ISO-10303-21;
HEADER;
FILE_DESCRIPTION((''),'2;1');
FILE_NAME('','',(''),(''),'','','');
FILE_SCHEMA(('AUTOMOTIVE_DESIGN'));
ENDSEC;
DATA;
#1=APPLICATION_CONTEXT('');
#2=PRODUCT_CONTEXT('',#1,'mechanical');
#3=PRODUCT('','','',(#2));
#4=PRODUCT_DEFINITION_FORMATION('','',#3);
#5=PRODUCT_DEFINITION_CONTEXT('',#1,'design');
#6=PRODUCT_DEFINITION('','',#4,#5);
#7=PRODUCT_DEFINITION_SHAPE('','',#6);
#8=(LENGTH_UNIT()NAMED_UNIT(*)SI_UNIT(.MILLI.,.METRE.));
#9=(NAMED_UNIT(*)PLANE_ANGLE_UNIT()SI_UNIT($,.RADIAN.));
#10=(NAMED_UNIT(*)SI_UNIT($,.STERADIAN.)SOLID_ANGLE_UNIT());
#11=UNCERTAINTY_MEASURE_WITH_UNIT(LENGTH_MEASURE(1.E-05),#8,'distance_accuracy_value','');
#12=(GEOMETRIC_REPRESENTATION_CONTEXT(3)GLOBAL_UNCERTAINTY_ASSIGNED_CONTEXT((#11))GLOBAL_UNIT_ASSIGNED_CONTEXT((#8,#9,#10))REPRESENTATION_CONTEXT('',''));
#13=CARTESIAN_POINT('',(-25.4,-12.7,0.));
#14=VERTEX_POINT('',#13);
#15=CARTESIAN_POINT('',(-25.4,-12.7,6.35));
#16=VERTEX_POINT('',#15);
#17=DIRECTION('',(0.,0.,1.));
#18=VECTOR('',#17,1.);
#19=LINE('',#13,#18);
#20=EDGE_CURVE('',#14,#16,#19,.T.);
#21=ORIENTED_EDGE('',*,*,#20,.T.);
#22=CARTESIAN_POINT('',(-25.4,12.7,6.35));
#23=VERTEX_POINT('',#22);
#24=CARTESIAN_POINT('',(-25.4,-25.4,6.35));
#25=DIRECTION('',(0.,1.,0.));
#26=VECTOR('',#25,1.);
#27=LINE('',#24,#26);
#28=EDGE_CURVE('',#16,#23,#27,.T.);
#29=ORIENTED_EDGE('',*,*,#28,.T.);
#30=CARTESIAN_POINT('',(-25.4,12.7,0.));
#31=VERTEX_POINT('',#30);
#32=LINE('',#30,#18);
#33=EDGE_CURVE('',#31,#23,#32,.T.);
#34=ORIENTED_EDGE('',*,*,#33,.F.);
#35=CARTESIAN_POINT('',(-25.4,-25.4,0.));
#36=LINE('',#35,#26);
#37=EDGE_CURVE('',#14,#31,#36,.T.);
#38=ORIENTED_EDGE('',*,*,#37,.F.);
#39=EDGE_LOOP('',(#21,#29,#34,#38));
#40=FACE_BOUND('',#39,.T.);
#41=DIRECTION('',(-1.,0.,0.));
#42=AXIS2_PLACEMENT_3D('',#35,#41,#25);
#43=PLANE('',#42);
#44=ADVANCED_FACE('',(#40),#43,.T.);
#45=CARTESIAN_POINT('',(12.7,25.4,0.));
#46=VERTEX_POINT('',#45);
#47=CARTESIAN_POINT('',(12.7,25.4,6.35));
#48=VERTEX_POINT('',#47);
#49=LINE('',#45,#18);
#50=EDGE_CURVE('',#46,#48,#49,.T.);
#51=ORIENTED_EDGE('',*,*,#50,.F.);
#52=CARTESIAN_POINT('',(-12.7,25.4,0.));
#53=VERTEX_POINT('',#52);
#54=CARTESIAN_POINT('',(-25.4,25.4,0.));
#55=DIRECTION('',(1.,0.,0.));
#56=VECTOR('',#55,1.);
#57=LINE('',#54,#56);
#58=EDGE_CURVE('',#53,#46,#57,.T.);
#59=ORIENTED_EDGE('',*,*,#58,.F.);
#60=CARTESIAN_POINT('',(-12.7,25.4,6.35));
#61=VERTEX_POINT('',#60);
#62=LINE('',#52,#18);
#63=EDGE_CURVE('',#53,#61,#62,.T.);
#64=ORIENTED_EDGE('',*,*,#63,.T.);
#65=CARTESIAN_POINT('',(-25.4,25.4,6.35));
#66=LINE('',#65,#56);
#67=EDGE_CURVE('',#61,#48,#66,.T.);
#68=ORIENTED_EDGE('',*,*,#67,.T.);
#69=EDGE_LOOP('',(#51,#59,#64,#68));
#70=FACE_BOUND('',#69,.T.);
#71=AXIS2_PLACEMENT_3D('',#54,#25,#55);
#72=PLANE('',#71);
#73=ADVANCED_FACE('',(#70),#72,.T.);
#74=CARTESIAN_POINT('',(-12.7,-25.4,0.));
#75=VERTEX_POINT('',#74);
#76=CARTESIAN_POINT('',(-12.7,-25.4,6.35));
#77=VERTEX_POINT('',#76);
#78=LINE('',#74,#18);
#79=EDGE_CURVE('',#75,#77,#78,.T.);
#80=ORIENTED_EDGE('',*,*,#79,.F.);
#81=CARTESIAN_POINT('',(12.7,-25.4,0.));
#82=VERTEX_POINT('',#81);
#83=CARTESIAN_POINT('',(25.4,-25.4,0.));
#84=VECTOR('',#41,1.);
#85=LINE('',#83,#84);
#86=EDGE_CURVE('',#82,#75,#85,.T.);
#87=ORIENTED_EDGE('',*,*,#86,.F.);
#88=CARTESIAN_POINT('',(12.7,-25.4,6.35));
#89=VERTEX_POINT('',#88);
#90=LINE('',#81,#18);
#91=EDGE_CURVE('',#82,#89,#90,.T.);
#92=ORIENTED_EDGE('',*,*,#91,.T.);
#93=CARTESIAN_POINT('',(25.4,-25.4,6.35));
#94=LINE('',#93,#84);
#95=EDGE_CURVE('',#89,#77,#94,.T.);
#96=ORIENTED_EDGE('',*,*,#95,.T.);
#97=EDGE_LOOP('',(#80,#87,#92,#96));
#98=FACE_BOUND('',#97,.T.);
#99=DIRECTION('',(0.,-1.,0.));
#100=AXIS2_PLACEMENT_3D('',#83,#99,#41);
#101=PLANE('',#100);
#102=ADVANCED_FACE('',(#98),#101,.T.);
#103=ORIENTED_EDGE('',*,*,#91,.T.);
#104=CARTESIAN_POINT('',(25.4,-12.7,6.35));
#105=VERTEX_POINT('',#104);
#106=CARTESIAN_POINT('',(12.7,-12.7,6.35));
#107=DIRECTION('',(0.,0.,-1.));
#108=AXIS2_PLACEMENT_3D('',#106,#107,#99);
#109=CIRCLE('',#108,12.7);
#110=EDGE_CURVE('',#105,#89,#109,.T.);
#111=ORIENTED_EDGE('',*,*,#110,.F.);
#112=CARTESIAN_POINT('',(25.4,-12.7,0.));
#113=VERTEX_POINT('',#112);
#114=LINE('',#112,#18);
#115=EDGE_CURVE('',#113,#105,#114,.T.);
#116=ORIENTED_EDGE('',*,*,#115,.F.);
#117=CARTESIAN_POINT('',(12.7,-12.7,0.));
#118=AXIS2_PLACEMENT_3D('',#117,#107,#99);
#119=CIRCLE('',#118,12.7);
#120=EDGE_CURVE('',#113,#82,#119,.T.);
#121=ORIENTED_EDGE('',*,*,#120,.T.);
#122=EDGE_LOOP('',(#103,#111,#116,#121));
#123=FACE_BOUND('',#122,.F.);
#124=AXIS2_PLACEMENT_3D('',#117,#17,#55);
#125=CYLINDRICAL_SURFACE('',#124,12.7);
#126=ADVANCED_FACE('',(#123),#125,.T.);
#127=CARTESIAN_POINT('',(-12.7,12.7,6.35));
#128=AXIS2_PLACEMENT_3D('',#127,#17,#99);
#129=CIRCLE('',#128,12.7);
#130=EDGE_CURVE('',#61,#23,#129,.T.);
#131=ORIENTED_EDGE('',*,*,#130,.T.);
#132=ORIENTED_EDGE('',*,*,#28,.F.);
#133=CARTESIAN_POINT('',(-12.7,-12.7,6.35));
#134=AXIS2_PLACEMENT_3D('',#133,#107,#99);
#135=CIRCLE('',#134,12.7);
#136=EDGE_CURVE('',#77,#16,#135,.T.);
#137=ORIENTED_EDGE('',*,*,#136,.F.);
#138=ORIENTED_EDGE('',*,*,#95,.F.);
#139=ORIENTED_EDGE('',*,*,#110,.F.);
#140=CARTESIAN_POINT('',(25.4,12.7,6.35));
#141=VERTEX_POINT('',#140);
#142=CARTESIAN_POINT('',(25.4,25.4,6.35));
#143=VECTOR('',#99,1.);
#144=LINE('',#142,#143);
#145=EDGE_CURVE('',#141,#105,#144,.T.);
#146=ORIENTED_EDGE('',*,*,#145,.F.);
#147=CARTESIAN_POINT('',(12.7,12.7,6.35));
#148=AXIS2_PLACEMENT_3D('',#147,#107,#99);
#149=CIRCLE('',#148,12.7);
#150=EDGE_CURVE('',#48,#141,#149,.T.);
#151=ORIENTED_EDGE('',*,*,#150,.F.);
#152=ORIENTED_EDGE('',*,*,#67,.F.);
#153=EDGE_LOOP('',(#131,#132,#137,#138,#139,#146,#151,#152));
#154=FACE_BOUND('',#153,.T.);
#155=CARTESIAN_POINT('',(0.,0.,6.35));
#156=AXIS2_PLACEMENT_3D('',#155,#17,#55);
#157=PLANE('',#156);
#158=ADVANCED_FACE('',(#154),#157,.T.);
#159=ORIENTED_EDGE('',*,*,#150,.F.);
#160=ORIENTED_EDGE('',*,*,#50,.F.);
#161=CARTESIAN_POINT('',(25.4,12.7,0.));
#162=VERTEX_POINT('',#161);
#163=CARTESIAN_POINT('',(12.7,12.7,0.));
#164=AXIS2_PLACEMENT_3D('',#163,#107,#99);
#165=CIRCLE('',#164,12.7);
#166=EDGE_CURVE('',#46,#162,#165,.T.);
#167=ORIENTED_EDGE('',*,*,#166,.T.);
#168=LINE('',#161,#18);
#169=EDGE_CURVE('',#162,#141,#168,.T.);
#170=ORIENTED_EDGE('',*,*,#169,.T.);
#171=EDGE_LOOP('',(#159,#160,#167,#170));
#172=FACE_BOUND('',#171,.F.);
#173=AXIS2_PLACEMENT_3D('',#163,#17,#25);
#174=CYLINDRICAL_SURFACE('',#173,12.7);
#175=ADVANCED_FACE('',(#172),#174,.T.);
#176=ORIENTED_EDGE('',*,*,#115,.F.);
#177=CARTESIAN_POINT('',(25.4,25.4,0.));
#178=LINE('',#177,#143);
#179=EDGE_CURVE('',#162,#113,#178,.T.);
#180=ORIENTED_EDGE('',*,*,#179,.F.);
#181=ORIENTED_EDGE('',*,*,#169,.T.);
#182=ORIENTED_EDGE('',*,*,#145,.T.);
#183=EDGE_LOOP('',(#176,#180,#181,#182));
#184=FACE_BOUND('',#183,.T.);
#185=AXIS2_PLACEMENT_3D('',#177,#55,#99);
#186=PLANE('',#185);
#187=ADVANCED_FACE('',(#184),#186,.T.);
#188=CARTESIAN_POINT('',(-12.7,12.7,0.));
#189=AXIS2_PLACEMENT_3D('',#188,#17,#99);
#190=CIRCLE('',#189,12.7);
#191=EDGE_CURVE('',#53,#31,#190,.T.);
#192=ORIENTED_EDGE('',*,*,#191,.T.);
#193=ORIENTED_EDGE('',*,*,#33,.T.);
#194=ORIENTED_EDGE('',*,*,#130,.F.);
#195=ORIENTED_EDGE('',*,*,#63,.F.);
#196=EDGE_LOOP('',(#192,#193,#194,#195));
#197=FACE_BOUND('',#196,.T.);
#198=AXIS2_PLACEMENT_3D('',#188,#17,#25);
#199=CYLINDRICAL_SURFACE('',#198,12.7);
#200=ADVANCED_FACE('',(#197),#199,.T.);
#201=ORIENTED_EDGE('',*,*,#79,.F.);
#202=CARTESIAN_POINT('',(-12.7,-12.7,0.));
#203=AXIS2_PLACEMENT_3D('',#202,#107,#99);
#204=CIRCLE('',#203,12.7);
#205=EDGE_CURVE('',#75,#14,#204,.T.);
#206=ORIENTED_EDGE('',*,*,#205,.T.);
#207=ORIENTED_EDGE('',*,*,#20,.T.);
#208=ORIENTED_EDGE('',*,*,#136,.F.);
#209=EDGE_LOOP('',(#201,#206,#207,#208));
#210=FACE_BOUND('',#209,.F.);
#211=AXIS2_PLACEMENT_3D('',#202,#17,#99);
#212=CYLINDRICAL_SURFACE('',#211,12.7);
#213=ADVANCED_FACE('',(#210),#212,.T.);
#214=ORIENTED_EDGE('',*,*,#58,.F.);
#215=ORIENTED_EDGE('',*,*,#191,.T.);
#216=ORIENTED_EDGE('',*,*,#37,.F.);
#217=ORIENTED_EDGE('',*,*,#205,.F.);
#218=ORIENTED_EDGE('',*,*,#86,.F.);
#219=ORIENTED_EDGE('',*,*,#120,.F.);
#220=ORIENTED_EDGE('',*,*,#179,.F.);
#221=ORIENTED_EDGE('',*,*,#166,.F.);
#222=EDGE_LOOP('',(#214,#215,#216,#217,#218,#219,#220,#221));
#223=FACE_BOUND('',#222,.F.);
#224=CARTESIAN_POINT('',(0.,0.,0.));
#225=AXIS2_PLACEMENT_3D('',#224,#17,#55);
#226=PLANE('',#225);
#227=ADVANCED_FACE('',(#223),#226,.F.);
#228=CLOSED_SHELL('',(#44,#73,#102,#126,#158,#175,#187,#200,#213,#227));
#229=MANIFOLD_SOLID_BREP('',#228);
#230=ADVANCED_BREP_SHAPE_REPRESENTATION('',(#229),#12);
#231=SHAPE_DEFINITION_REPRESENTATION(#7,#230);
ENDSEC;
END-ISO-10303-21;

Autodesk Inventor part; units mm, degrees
ref_plane "YZ Plane" through (0, 0, 0) normal (1, 0, 0) x (0, 1, 0)
ref_plane "XZ Plane" through (0, 0, 0) normal (0, 1, 0) x (-1, 0, 0)
ref_plane "XY Plane" through (0, 0, 0) normal (0, 0, 1) x (1, 0, 0)
sketch "Sketch1" plane through (0, 0, 0) normal (0, 0, 1) x (1, 0, 0)
  line L0 (0, 20.1746) -> (0, -21.4461) construction
  line L1 (-20.2028, 0) -> (20.1685, 0) construction
  line L2 (-25.4, 25.4) -> (25.4, 25.4)
  line L3 (25.4, 25.4) -> (25.4, -25.4)
  line L4 (25.4, -25.4) -> (-25.4, -25.4)
  line L5 (-25.4, -25.4) -> (-25.4, 25.4)
  point P0 (0, 0)
  dimension "d0" = 50.8
  dimension "d1" = 25.4
  dimension "d2" = 50.8
  dimension "d3" = 25.4
extrude "Extrusion1" add sketch "Sketch1" along normal blind 6.35
fillet "Fillet1" radius 12.7 4 edges at (25.4, 25.4, 3.175) (-25.4, 25.4, 3.175) (25.4, -25.4, 3.175) (-25.4, -25.4, 3.175)
chamfer "Chamfer1" [suppressed]
equation "\"d0\" = height"
equation "\"d1\" = 0.5 * height"
equation "\"d2\" = width"
equation "\"d3\" = 0.5 * width"
equation "\"d4\" = thickness"
equation "\"d6\" = fillet"
equation "\"fillet\" = 12.7"
equation "\"chamfer\" = 0"
equation "\"thickness\" = 6.35"
equation "\"width\" = 50.8"
equation "\"height\" = 50.8"
properties part number "Plate Filleted Corners (mm) 50.8 x 50.8 x 6.35" material "Steel, Mild"
